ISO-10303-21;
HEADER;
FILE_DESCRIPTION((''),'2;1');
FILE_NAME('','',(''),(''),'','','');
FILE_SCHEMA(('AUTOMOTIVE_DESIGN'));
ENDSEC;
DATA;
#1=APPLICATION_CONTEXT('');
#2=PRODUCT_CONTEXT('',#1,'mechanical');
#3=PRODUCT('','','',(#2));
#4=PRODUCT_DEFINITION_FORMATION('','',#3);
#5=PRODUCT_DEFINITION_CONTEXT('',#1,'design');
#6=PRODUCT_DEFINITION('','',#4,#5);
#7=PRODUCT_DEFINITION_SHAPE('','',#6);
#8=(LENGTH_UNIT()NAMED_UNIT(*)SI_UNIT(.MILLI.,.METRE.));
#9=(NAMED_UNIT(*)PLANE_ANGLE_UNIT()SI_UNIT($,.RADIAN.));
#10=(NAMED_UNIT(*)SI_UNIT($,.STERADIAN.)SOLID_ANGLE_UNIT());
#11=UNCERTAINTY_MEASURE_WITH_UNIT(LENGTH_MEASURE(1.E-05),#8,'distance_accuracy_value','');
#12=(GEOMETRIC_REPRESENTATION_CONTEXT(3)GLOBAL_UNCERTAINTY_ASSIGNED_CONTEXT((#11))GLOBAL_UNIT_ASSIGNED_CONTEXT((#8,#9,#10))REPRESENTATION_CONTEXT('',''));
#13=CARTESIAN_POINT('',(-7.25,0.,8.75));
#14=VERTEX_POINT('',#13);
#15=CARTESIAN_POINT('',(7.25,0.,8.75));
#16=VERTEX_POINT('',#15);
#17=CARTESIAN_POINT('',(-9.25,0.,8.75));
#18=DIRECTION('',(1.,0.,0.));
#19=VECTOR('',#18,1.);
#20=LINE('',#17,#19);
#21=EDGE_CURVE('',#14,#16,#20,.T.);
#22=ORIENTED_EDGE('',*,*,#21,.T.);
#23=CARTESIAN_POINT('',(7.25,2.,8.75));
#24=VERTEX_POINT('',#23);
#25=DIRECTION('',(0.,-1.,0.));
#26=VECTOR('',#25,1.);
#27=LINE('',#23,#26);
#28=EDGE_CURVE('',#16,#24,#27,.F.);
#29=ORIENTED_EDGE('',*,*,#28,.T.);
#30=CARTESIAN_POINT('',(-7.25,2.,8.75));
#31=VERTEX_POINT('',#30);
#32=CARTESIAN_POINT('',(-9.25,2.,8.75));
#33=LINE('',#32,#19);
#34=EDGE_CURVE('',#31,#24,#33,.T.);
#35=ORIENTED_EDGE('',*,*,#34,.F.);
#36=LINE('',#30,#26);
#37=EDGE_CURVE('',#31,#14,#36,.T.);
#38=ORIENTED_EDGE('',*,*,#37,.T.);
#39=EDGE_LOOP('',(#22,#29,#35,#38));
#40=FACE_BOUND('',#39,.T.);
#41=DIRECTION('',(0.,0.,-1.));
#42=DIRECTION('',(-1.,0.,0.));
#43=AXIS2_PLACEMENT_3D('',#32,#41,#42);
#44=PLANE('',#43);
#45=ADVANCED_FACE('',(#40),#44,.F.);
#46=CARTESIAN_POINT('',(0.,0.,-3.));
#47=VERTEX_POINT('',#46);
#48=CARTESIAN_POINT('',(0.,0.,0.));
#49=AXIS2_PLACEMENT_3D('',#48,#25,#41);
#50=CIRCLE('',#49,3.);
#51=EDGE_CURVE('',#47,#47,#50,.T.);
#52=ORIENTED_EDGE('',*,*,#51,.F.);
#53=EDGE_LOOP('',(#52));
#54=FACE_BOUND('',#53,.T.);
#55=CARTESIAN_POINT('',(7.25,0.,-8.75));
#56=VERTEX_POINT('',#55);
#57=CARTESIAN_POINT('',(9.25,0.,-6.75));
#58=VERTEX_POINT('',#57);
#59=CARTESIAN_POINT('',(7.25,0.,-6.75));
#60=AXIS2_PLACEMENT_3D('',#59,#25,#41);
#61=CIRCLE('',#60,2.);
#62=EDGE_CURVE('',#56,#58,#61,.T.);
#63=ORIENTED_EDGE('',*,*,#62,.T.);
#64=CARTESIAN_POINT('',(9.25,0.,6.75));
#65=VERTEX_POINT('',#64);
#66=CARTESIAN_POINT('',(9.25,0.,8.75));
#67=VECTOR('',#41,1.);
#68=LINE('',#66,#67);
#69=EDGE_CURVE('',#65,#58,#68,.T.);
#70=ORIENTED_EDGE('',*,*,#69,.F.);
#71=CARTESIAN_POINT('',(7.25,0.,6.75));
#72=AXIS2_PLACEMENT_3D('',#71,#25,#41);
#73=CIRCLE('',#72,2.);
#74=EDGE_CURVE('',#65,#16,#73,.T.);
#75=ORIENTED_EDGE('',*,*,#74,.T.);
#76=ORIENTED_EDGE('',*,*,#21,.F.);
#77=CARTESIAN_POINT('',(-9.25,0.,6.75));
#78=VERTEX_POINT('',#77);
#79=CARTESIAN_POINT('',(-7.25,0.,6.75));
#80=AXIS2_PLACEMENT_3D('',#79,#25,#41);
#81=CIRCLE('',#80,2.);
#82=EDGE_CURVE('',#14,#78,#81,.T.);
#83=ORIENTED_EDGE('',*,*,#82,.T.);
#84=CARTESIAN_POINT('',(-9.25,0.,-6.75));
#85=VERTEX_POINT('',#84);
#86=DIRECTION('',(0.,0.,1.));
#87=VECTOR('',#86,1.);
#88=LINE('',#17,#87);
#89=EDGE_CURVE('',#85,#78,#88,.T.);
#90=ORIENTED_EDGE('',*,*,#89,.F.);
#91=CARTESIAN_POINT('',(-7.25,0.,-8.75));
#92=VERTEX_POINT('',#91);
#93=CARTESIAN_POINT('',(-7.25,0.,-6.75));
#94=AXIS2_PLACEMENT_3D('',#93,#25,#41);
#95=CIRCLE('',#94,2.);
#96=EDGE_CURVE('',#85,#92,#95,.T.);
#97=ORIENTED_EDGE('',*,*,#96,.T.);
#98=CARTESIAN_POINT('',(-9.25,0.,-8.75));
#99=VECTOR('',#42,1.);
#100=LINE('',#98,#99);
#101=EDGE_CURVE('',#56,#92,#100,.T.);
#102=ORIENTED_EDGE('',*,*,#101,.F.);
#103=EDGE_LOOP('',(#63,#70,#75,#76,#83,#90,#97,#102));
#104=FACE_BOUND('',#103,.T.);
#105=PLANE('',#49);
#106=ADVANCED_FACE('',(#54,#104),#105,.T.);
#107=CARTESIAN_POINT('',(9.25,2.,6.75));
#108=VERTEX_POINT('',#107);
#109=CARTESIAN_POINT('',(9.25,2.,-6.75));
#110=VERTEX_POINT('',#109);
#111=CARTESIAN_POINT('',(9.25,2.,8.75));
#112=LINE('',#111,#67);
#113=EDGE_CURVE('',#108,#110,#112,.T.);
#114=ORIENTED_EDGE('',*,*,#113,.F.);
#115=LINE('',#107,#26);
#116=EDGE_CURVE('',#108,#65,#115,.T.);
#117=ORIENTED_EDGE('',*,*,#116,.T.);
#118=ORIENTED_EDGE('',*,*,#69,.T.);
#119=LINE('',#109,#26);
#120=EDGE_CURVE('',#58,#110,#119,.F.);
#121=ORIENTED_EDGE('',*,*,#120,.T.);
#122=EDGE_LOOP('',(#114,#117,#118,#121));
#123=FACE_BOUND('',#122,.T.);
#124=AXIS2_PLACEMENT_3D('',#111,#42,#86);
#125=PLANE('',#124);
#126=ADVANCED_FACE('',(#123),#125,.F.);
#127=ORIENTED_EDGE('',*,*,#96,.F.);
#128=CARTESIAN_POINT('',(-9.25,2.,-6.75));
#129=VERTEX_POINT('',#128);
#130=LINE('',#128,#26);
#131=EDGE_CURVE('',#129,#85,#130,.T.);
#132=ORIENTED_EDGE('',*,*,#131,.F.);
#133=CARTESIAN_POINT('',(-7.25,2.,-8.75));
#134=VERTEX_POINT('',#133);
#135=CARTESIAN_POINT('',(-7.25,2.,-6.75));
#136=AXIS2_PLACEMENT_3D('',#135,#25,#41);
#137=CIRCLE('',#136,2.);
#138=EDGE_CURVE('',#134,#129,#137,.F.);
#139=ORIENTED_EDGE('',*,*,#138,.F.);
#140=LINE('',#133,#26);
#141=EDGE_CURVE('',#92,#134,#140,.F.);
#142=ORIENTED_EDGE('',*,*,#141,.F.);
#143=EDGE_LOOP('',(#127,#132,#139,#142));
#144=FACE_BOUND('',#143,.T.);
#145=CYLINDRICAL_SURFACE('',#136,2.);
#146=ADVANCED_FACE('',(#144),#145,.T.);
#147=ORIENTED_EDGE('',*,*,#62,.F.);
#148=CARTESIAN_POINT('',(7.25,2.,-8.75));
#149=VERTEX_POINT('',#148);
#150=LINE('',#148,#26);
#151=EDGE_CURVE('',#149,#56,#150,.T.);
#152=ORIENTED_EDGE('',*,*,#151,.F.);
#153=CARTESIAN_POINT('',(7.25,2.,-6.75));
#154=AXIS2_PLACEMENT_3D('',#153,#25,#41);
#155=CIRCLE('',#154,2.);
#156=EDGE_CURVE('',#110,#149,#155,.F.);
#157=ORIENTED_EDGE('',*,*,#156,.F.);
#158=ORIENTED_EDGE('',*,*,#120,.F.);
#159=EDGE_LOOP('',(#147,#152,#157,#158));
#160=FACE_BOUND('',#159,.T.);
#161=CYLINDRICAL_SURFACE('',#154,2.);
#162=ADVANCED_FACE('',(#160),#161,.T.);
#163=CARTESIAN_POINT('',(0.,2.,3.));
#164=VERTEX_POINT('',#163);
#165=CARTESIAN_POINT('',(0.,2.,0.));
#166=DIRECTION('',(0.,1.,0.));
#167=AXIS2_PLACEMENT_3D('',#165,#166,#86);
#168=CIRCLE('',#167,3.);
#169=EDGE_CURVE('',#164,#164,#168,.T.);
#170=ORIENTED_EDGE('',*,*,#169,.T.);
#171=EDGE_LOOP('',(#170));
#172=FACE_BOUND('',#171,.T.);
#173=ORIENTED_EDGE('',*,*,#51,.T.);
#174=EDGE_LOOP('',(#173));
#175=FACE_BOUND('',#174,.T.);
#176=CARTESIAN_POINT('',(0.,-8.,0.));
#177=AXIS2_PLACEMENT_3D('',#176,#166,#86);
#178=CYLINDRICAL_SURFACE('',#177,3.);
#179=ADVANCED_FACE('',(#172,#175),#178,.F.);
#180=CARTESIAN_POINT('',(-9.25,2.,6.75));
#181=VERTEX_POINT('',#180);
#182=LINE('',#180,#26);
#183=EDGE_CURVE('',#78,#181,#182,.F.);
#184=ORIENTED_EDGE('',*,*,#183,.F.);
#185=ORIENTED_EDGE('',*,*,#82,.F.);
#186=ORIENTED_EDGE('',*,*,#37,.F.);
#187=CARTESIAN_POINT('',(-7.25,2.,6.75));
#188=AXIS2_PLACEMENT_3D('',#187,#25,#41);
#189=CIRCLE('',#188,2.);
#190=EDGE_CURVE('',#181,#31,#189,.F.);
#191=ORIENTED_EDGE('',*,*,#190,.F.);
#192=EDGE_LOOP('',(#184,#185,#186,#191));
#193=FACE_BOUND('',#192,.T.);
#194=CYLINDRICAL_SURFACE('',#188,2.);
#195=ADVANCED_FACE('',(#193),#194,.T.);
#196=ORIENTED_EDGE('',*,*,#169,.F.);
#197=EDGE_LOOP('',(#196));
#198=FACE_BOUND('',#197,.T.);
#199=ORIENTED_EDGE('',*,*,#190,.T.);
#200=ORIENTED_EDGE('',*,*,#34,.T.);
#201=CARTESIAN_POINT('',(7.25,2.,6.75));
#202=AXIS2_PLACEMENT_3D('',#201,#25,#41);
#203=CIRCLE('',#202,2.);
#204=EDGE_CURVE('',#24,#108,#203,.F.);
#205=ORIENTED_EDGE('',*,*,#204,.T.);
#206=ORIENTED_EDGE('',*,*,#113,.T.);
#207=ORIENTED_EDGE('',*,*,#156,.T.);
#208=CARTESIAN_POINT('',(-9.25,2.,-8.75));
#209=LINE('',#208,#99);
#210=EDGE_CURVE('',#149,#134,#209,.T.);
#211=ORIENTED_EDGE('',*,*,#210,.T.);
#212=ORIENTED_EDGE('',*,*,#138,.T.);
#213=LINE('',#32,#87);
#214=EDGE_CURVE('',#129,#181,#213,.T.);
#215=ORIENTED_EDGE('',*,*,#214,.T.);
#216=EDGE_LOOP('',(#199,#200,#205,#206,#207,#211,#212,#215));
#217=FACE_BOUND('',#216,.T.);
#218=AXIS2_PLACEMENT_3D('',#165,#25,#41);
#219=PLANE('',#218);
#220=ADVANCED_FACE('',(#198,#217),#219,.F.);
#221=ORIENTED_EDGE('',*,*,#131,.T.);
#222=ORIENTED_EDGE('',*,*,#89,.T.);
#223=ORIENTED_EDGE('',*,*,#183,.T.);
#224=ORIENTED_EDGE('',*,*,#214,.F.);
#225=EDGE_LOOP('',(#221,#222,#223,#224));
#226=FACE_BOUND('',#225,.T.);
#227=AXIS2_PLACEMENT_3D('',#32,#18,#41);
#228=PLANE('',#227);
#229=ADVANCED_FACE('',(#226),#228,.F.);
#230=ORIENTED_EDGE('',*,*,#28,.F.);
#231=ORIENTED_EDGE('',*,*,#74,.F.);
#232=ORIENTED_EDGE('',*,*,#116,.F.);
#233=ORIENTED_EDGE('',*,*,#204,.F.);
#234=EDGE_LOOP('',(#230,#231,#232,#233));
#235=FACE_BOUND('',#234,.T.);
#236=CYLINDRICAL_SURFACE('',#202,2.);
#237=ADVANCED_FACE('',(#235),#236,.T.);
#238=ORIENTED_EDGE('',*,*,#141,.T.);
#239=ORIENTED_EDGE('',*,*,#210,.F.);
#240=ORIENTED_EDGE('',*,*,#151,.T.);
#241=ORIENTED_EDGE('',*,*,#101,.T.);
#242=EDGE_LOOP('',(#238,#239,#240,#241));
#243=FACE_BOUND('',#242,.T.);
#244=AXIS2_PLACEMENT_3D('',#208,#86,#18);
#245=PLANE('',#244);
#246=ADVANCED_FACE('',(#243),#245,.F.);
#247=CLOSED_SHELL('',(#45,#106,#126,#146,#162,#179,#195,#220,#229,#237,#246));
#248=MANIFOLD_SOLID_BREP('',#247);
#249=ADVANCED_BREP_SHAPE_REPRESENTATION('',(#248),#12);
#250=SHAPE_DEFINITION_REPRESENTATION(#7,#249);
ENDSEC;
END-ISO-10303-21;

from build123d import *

# Parameters (mm, degrees)
SKETCH1_W           = 18.5
SKETCH1_H           = 17.5
BOSS_EXTRUDE1_DEPTH = 2
FILLET1_R           = 2
SKETCH4_R           = 3
CUT_EXTRUDE3_DEPTH  = 10


with BuildPart() as part:
    # Sketch1 → Boss-Extrude1 (new body)
    with BuildSketch(Plane(origin=(0, 0, 0), x_dir=(1, 0, 0), z_dir=(0, 1, 0))):
        Rectangle(SKETCH1_W, SKETCH1_H)
    extrude(amount=BOSS_EXTRUDE1_DEPTH)

    # Fillet1
    fillet1_edges = [part.edges().sort_by_distance(p)[0] for p in [
        (9.25, 1, 8.75),
        (-9.25, 1, 8.75),
        (-9.25, 1, -8.75),
        (9.25, 1, -8.75),
    ]]
    fillet(fillet1_edges, radius=FILLET1_R)

    # Sketch4 → Cut-Extrude3 (cut)
    with BuildSketch(Plane(origin=(0, 2, 0), x_dir=(1, 0, 0), z_dir=(0, 1, 0))):
        with Locations(Location((0, 0, 0), (0, 0, 270))):
            Circle(SKETCH4_R)
    extrude(amount=-CUT_EXTRUDE3_DEPTH, mode=Mode.SUBTRACT)


solid = part.part
